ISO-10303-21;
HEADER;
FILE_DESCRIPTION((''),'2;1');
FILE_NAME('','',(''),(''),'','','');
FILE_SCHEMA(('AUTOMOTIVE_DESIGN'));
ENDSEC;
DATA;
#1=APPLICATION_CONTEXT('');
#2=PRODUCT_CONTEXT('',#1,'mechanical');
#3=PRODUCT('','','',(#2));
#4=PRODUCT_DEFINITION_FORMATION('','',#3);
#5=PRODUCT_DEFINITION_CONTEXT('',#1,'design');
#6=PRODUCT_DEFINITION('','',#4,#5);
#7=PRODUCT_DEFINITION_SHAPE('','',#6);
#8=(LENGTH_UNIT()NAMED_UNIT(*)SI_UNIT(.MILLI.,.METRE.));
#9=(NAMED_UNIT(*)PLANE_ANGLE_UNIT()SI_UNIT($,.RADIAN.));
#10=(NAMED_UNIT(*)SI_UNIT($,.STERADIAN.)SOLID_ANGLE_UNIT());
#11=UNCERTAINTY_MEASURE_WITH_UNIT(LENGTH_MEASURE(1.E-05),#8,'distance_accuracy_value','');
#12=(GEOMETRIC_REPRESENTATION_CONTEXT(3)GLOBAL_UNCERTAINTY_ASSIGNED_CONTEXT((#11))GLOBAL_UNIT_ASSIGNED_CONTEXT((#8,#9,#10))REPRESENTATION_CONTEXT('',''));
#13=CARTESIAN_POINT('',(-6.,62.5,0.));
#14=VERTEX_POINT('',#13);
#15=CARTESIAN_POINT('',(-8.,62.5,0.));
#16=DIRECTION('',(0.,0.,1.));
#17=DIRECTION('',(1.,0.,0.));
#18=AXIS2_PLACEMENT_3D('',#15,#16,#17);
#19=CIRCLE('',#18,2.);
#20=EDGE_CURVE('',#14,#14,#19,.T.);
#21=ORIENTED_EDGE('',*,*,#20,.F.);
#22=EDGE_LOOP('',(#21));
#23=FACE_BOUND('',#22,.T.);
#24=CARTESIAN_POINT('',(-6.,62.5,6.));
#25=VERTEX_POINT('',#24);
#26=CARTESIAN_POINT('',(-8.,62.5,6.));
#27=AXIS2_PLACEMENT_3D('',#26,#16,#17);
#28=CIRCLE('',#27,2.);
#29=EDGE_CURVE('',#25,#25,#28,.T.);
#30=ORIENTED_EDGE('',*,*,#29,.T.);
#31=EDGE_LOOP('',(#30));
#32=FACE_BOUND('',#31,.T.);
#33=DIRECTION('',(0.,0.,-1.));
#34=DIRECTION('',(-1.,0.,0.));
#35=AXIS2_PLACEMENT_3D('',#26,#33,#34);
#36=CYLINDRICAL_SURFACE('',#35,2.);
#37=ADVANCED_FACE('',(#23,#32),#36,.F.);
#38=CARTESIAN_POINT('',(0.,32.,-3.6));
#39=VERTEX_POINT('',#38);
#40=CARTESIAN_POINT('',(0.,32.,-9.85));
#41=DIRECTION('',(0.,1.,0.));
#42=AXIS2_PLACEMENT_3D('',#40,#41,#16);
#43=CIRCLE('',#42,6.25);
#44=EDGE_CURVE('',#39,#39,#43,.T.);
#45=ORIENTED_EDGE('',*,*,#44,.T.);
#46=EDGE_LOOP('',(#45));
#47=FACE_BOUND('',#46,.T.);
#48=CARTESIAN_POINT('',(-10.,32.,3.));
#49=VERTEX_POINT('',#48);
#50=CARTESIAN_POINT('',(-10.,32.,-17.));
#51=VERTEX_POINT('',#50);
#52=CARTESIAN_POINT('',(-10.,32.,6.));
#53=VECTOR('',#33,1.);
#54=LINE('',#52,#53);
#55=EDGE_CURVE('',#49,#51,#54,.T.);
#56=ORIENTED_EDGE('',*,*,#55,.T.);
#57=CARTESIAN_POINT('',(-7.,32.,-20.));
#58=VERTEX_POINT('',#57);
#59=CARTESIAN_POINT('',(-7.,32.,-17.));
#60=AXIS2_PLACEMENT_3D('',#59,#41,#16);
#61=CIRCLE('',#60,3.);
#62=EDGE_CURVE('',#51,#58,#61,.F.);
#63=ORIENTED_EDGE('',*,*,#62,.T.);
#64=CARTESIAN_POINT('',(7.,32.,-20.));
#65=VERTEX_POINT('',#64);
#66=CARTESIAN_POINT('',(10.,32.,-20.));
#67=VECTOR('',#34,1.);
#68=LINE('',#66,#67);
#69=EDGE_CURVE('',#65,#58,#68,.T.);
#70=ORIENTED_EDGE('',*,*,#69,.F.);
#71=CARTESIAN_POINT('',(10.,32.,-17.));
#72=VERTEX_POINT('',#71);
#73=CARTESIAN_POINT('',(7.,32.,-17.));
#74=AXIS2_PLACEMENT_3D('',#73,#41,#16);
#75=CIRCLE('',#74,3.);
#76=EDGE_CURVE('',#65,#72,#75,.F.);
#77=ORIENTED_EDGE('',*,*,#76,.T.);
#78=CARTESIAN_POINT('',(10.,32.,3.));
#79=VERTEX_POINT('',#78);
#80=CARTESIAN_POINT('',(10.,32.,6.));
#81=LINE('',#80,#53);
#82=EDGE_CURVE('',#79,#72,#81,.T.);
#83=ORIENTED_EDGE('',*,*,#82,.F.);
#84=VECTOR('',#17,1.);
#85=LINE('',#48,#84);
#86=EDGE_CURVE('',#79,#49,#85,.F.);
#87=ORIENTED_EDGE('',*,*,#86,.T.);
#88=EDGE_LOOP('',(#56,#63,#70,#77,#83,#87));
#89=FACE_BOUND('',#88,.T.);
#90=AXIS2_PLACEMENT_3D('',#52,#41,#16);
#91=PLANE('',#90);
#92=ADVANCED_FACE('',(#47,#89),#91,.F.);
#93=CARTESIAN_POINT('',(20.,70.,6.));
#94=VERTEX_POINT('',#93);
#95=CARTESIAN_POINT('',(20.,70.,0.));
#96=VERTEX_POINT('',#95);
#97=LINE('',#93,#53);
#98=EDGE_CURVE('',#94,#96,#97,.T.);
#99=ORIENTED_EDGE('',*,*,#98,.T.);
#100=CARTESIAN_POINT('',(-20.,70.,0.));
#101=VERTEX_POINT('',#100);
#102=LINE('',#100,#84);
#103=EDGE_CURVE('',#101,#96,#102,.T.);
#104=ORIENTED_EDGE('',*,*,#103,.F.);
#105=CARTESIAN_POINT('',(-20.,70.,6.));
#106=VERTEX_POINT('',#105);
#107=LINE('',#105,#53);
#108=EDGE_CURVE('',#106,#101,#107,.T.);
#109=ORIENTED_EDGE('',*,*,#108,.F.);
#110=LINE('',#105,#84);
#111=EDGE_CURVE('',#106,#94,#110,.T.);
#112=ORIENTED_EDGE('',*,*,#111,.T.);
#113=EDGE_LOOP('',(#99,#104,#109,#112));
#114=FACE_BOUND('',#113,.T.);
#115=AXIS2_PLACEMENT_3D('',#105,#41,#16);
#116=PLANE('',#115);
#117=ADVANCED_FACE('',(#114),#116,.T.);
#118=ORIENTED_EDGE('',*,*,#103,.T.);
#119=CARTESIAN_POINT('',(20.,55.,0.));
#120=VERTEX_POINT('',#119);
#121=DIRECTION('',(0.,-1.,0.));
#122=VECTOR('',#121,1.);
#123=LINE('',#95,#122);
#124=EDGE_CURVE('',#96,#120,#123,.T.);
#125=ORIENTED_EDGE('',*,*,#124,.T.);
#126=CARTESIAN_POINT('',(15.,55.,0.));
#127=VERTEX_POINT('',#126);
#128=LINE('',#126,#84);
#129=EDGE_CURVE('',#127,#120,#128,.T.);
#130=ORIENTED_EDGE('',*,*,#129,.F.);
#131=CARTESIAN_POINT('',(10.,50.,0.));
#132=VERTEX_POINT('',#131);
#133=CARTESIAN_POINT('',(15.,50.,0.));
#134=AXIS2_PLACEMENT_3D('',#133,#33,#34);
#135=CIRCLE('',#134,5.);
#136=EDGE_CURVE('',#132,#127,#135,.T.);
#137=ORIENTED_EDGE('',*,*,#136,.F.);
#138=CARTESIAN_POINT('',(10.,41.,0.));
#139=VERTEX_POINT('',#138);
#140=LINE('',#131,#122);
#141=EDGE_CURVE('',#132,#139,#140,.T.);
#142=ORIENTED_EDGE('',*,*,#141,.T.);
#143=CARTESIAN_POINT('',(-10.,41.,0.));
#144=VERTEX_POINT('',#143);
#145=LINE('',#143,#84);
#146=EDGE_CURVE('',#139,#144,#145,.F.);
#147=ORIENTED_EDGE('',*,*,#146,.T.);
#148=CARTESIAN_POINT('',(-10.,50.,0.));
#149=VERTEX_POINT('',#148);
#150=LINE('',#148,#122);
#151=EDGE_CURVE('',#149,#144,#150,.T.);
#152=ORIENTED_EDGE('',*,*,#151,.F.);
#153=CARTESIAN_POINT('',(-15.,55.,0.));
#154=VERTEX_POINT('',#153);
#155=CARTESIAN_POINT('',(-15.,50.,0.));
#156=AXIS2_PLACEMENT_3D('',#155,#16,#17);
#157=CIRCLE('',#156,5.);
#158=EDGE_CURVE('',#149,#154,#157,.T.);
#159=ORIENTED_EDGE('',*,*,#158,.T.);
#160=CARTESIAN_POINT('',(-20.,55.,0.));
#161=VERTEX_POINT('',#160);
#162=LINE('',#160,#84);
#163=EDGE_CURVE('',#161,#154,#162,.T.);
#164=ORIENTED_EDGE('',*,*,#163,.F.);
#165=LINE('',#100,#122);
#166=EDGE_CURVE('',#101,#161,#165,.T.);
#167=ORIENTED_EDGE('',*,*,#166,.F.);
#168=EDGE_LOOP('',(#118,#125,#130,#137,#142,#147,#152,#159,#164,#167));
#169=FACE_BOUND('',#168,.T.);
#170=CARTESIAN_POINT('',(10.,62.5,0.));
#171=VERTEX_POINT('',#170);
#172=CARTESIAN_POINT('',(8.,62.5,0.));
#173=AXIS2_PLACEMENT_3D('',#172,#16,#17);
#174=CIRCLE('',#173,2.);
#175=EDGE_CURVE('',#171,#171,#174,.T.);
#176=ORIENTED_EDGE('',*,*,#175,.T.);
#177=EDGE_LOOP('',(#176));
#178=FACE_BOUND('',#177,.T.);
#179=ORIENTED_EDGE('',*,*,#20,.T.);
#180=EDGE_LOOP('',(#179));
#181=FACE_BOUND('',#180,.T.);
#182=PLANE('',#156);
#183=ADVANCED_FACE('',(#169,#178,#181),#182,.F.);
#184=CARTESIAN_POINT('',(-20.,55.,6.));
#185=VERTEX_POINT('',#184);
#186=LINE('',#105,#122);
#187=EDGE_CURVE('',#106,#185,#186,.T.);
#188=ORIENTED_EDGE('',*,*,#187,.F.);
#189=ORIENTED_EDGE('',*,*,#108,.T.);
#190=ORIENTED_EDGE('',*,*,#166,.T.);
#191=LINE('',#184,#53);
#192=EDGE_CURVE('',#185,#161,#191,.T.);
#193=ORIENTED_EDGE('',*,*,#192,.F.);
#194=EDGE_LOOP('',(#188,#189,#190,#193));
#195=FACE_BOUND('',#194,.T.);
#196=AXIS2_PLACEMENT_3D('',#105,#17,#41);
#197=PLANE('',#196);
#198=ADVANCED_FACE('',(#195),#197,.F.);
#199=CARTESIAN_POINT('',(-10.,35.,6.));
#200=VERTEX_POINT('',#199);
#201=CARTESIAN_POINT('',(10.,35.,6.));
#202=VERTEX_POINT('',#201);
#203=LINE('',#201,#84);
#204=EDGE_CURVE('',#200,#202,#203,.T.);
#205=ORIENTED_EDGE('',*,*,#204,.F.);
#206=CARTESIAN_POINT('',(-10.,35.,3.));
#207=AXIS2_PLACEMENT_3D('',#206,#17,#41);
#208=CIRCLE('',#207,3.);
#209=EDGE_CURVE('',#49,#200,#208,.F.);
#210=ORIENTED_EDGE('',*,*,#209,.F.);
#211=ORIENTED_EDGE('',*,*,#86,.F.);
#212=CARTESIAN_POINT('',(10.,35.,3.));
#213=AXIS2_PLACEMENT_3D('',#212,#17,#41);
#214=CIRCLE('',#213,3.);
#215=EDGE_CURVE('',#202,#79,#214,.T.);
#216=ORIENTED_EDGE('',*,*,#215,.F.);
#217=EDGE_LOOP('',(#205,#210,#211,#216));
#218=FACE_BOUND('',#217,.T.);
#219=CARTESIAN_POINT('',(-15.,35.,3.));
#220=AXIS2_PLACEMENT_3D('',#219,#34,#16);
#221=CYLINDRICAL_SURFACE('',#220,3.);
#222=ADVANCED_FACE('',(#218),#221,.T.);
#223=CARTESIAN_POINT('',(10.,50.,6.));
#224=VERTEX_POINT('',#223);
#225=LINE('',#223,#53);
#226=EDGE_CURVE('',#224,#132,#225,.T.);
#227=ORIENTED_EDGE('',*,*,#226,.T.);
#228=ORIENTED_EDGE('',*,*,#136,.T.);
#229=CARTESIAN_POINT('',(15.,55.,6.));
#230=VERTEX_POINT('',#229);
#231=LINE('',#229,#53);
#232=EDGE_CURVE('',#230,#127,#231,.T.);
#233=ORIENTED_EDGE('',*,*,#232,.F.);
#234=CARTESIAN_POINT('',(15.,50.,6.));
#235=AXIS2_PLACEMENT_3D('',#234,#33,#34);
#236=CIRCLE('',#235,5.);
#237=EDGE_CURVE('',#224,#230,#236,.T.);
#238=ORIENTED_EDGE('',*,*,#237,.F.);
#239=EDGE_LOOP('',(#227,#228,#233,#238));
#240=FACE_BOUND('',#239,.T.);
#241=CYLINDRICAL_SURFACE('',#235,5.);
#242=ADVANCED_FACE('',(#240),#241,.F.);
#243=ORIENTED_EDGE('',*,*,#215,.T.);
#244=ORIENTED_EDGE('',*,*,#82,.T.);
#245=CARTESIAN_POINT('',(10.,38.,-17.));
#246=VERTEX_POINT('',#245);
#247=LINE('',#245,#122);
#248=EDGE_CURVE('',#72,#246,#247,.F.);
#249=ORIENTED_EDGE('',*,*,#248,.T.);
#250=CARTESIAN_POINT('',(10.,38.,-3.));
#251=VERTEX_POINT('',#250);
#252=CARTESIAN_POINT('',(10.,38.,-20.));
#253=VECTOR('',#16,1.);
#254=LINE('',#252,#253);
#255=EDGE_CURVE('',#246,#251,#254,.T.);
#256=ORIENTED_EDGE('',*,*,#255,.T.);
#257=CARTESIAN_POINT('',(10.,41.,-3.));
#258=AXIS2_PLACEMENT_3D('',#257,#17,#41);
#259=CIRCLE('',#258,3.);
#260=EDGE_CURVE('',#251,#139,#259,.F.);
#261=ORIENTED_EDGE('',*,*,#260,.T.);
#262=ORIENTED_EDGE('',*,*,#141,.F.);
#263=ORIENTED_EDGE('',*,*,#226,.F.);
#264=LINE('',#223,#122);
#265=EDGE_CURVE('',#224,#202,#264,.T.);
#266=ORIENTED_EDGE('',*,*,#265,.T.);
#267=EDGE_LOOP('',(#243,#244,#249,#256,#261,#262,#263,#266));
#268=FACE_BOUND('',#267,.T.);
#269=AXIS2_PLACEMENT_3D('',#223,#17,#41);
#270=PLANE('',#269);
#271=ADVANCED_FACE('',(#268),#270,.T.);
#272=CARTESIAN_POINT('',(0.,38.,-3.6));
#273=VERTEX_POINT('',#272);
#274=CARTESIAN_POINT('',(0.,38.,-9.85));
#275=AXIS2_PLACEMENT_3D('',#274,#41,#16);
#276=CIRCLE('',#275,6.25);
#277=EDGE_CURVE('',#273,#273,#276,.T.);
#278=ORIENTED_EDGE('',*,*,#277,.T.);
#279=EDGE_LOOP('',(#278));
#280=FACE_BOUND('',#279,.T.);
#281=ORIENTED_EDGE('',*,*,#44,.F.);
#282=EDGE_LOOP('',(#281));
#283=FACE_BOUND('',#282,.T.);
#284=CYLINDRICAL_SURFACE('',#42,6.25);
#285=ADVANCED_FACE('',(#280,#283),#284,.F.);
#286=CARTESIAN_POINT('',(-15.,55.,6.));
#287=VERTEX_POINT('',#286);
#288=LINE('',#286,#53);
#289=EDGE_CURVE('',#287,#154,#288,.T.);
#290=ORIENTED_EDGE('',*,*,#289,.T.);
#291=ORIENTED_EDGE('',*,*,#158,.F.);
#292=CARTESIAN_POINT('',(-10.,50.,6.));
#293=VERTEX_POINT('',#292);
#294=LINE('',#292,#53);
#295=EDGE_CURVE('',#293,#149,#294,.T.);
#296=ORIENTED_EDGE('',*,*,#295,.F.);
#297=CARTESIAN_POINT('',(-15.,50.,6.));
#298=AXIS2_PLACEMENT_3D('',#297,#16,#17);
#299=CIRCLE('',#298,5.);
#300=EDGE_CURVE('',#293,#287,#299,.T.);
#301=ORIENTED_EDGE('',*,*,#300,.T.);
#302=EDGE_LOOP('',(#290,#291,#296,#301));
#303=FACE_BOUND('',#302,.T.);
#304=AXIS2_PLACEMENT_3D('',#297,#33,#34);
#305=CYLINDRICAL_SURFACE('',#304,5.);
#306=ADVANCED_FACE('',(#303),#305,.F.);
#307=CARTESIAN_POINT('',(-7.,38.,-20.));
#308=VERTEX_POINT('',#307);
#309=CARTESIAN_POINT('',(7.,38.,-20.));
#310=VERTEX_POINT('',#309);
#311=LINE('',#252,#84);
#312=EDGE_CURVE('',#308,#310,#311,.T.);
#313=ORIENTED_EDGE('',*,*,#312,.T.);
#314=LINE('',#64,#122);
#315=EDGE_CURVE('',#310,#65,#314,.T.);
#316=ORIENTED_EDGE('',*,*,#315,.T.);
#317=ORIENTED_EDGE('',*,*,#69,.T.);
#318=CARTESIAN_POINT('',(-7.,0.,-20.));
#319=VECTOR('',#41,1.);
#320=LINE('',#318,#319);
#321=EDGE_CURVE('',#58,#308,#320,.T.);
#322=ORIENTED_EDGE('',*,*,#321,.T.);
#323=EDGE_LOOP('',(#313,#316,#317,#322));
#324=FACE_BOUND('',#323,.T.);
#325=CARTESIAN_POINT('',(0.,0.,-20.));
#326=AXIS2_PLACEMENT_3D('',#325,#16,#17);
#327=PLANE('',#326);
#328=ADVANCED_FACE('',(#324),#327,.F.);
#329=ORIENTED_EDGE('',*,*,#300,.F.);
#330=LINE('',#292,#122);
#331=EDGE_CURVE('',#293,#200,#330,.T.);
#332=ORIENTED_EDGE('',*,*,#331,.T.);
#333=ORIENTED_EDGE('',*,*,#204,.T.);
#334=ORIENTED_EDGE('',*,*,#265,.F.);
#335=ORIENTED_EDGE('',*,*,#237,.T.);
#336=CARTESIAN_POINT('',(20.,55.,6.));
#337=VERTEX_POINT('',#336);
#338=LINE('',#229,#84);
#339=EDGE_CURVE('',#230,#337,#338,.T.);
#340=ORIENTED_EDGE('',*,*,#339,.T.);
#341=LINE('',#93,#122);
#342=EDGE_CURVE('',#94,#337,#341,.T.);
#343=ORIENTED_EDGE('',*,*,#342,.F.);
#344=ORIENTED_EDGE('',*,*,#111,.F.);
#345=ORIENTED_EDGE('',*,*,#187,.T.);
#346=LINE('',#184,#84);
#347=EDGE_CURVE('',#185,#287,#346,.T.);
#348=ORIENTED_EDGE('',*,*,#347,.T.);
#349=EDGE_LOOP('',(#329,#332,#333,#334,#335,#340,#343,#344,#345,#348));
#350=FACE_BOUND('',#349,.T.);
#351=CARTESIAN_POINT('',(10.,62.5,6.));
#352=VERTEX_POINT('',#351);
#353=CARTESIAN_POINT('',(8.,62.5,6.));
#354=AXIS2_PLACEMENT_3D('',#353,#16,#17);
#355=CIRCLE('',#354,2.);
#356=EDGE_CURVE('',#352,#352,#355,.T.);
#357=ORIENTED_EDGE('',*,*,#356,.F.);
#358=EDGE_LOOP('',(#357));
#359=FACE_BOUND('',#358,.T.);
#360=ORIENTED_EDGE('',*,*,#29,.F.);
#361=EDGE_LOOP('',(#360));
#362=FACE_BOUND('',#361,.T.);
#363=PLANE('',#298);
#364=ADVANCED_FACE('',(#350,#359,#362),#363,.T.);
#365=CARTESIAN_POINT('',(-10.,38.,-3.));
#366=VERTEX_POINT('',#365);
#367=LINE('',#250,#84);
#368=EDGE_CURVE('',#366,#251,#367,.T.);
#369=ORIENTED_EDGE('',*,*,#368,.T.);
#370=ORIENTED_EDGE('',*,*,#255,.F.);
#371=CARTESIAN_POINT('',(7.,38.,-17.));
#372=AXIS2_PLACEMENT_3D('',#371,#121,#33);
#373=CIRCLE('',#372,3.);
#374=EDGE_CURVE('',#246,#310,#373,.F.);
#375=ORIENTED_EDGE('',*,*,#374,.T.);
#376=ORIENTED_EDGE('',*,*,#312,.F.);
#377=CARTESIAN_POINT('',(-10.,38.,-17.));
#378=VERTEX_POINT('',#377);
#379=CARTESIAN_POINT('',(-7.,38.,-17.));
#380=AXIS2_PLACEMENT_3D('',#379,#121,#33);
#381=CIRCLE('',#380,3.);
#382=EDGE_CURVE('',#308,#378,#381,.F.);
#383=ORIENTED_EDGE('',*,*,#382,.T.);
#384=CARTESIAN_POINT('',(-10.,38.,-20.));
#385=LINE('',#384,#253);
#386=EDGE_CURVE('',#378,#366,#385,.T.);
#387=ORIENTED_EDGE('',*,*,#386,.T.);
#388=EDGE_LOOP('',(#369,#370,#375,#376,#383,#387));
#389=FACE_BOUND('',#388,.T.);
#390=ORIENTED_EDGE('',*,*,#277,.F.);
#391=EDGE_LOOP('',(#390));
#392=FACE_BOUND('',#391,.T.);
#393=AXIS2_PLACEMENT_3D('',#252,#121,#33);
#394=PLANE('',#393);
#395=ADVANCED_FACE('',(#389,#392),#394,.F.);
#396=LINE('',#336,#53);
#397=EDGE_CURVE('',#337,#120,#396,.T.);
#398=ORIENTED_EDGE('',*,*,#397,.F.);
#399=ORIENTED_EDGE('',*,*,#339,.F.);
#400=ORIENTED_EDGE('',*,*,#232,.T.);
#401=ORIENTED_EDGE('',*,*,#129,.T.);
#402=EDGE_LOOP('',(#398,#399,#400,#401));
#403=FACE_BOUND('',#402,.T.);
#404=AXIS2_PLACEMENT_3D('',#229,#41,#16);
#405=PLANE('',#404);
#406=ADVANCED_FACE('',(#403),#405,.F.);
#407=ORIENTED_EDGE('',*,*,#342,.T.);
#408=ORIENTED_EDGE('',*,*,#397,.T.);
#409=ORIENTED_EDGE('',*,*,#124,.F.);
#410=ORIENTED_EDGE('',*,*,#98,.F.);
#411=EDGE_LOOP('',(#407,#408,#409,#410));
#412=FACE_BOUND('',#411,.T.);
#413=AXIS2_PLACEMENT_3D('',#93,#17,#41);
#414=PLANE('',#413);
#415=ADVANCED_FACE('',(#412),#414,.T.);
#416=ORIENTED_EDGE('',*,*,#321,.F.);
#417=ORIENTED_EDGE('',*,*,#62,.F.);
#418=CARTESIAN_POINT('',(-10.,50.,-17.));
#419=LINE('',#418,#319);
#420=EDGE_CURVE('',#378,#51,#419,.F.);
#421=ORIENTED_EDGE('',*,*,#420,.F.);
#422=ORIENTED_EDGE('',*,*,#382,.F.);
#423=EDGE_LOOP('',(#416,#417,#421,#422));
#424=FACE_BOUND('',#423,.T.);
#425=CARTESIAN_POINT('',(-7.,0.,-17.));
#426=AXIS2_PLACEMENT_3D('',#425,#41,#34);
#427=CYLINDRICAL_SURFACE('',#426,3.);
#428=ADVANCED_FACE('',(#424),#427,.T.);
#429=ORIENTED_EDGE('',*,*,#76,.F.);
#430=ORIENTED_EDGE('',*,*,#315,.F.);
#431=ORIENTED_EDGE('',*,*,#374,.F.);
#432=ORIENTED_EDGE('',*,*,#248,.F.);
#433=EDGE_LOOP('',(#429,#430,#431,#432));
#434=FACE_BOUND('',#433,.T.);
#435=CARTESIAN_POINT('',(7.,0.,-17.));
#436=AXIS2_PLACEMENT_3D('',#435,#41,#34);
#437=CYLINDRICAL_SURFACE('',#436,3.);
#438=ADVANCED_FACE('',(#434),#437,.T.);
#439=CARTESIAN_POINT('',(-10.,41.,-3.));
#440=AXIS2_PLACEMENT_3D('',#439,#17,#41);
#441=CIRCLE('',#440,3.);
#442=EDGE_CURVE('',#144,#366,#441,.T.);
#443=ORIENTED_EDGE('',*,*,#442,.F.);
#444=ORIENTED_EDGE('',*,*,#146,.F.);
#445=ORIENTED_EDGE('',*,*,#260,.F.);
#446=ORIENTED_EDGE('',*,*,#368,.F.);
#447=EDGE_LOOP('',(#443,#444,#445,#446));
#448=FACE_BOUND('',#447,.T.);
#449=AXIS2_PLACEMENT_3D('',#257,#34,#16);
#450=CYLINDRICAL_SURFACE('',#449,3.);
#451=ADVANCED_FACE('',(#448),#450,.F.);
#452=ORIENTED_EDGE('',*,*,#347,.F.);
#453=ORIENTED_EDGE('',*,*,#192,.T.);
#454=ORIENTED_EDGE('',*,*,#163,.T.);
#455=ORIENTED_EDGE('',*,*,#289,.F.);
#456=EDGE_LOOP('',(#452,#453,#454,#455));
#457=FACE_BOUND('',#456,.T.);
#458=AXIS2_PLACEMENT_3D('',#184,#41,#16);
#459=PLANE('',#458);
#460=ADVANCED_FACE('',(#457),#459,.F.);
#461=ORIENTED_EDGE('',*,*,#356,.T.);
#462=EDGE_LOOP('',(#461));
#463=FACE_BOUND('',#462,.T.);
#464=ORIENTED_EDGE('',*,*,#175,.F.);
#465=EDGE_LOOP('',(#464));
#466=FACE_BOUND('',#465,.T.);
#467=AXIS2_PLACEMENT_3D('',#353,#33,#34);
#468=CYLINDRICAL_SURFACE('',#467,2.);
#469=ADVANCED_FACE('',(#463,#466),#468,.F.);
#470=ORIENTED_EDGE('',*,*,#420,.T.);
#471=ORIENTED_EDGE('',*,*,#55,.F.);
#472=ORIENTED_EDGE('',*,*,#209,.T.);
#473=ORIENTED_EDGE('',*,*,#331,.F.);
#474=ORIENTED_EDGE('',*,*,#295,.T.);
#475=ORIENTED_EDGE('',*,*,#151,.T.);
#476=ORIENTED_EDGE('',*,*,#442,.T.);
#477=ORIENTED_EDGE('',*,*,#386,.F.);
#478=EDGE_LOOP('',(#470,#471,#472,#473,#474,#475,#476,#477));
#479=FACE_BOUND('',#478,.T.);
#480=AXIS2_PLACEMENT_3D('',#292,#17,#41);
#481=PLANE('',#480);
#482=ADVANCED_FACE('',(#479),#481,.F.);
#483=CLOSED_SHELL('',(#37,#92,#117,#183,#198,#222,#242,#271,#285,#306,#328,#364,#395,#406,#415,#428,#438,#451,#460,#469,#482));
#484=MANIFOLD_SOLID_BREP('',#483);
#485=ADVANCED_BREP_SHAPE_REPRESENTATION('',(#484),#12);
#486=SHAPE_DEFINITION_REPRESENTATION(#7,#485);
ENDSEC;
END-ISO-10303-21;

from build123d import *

# Parameters (mm, degrees)
SKETCH1_R           = 2
BOSS_EXTRUDE1_DEPTH = 6
SKETCH2_W           = 20
SKETCH2_H           = 6
BOSS_EXTRUDE2_DEPTH = 20
SKETCH3_R           = 6.25
CUT_EXTRUDE1_DEPTH  = 6
FILLET1_R           = 3
FILLET2_R           = 3
FILLET3_R           = 3


with BuildPart() as part:
    # Sketch1 → Boss-Extrude1 (new body)
    with BuildSketch(Plane.XY):
        with BuildLine():
            Line((-20, 70), (20, 70))
            Line((20, 70), (20, 55))
            Line((20, 55), (15, 55))
            ThreePointArc((15, 55), (11.464466094, 53.535533906), (10, 50))
            Line((10, 50), (10, 32))
            Line((10, 32), (-10, 32))
            Line((-10, 32), (-10, 50))
            ThreePointArc((-10, 50), (-11.464466094, 53.535533906), (-15, 55))
            Line((-15, 55), (-20, 55))
            Line((-20, 55), (-20, 70))
        make_face()
        with Locations((-8, 62.5)):
            Circle(SKETCH1_R, mode=Mode.SUBTRACT)
        with Locations((8, 62.5)):
            Circle(SKETCH1_R, mode=Mode.SUBTRACT)
    extrude(amount=BOSS_EXTRUDE1_DEPTH)

    # Sketch2 → Boss-Extrude2 (add)
    with BuildSketch(Plane(origin=(0, 0, 0), x_dir=(-1, 0, 0), z_dir=(0, 0, -1))):
        with Locations((0, 35)):
            Rectangle(SKETCH2_W, SKETCH2_H)
    extrude(amount=BOSS_EXTRUDE2_DEPTH)

    # Sketch3 → Cut-Extrude1 (cut)
    with BuildSketch(Plane(origin=(0, 38, 0), x_dir=(1, 0, 0), z_dir=(0, 1, 0))):
        with Locations((0, 9.85)):
            Circle(SKETCH3_R)
    extrude(amount=-CUT_EXTRUDE1_DEPTH, mode=Mode.SUBTRACT)

    # Fillet1
    fillet1_edges = [part.edges().sort_by_distance(p)[0] for p in [
        (10, 35, -20),
        (-10, 35, -20),
    ]]
    fillet(fillet1_edges, radius=FILLET1_R)

    # Fillet2
    fillet2_edges = [part.edges().sort_by_distance(p)[0] for p in [
        (0, 38, 0),
    ]]
    fillet(fillet2_edges, radius=FILLET2_R)

    # Fillet3
    fillet3_edges = [part.edges().sort_by_distance(p)[0] for p in [
        (0, 32, 6),
    ]]
    fillet(fillet3_edges, radius=FILLET3_R)


solid = part.part
